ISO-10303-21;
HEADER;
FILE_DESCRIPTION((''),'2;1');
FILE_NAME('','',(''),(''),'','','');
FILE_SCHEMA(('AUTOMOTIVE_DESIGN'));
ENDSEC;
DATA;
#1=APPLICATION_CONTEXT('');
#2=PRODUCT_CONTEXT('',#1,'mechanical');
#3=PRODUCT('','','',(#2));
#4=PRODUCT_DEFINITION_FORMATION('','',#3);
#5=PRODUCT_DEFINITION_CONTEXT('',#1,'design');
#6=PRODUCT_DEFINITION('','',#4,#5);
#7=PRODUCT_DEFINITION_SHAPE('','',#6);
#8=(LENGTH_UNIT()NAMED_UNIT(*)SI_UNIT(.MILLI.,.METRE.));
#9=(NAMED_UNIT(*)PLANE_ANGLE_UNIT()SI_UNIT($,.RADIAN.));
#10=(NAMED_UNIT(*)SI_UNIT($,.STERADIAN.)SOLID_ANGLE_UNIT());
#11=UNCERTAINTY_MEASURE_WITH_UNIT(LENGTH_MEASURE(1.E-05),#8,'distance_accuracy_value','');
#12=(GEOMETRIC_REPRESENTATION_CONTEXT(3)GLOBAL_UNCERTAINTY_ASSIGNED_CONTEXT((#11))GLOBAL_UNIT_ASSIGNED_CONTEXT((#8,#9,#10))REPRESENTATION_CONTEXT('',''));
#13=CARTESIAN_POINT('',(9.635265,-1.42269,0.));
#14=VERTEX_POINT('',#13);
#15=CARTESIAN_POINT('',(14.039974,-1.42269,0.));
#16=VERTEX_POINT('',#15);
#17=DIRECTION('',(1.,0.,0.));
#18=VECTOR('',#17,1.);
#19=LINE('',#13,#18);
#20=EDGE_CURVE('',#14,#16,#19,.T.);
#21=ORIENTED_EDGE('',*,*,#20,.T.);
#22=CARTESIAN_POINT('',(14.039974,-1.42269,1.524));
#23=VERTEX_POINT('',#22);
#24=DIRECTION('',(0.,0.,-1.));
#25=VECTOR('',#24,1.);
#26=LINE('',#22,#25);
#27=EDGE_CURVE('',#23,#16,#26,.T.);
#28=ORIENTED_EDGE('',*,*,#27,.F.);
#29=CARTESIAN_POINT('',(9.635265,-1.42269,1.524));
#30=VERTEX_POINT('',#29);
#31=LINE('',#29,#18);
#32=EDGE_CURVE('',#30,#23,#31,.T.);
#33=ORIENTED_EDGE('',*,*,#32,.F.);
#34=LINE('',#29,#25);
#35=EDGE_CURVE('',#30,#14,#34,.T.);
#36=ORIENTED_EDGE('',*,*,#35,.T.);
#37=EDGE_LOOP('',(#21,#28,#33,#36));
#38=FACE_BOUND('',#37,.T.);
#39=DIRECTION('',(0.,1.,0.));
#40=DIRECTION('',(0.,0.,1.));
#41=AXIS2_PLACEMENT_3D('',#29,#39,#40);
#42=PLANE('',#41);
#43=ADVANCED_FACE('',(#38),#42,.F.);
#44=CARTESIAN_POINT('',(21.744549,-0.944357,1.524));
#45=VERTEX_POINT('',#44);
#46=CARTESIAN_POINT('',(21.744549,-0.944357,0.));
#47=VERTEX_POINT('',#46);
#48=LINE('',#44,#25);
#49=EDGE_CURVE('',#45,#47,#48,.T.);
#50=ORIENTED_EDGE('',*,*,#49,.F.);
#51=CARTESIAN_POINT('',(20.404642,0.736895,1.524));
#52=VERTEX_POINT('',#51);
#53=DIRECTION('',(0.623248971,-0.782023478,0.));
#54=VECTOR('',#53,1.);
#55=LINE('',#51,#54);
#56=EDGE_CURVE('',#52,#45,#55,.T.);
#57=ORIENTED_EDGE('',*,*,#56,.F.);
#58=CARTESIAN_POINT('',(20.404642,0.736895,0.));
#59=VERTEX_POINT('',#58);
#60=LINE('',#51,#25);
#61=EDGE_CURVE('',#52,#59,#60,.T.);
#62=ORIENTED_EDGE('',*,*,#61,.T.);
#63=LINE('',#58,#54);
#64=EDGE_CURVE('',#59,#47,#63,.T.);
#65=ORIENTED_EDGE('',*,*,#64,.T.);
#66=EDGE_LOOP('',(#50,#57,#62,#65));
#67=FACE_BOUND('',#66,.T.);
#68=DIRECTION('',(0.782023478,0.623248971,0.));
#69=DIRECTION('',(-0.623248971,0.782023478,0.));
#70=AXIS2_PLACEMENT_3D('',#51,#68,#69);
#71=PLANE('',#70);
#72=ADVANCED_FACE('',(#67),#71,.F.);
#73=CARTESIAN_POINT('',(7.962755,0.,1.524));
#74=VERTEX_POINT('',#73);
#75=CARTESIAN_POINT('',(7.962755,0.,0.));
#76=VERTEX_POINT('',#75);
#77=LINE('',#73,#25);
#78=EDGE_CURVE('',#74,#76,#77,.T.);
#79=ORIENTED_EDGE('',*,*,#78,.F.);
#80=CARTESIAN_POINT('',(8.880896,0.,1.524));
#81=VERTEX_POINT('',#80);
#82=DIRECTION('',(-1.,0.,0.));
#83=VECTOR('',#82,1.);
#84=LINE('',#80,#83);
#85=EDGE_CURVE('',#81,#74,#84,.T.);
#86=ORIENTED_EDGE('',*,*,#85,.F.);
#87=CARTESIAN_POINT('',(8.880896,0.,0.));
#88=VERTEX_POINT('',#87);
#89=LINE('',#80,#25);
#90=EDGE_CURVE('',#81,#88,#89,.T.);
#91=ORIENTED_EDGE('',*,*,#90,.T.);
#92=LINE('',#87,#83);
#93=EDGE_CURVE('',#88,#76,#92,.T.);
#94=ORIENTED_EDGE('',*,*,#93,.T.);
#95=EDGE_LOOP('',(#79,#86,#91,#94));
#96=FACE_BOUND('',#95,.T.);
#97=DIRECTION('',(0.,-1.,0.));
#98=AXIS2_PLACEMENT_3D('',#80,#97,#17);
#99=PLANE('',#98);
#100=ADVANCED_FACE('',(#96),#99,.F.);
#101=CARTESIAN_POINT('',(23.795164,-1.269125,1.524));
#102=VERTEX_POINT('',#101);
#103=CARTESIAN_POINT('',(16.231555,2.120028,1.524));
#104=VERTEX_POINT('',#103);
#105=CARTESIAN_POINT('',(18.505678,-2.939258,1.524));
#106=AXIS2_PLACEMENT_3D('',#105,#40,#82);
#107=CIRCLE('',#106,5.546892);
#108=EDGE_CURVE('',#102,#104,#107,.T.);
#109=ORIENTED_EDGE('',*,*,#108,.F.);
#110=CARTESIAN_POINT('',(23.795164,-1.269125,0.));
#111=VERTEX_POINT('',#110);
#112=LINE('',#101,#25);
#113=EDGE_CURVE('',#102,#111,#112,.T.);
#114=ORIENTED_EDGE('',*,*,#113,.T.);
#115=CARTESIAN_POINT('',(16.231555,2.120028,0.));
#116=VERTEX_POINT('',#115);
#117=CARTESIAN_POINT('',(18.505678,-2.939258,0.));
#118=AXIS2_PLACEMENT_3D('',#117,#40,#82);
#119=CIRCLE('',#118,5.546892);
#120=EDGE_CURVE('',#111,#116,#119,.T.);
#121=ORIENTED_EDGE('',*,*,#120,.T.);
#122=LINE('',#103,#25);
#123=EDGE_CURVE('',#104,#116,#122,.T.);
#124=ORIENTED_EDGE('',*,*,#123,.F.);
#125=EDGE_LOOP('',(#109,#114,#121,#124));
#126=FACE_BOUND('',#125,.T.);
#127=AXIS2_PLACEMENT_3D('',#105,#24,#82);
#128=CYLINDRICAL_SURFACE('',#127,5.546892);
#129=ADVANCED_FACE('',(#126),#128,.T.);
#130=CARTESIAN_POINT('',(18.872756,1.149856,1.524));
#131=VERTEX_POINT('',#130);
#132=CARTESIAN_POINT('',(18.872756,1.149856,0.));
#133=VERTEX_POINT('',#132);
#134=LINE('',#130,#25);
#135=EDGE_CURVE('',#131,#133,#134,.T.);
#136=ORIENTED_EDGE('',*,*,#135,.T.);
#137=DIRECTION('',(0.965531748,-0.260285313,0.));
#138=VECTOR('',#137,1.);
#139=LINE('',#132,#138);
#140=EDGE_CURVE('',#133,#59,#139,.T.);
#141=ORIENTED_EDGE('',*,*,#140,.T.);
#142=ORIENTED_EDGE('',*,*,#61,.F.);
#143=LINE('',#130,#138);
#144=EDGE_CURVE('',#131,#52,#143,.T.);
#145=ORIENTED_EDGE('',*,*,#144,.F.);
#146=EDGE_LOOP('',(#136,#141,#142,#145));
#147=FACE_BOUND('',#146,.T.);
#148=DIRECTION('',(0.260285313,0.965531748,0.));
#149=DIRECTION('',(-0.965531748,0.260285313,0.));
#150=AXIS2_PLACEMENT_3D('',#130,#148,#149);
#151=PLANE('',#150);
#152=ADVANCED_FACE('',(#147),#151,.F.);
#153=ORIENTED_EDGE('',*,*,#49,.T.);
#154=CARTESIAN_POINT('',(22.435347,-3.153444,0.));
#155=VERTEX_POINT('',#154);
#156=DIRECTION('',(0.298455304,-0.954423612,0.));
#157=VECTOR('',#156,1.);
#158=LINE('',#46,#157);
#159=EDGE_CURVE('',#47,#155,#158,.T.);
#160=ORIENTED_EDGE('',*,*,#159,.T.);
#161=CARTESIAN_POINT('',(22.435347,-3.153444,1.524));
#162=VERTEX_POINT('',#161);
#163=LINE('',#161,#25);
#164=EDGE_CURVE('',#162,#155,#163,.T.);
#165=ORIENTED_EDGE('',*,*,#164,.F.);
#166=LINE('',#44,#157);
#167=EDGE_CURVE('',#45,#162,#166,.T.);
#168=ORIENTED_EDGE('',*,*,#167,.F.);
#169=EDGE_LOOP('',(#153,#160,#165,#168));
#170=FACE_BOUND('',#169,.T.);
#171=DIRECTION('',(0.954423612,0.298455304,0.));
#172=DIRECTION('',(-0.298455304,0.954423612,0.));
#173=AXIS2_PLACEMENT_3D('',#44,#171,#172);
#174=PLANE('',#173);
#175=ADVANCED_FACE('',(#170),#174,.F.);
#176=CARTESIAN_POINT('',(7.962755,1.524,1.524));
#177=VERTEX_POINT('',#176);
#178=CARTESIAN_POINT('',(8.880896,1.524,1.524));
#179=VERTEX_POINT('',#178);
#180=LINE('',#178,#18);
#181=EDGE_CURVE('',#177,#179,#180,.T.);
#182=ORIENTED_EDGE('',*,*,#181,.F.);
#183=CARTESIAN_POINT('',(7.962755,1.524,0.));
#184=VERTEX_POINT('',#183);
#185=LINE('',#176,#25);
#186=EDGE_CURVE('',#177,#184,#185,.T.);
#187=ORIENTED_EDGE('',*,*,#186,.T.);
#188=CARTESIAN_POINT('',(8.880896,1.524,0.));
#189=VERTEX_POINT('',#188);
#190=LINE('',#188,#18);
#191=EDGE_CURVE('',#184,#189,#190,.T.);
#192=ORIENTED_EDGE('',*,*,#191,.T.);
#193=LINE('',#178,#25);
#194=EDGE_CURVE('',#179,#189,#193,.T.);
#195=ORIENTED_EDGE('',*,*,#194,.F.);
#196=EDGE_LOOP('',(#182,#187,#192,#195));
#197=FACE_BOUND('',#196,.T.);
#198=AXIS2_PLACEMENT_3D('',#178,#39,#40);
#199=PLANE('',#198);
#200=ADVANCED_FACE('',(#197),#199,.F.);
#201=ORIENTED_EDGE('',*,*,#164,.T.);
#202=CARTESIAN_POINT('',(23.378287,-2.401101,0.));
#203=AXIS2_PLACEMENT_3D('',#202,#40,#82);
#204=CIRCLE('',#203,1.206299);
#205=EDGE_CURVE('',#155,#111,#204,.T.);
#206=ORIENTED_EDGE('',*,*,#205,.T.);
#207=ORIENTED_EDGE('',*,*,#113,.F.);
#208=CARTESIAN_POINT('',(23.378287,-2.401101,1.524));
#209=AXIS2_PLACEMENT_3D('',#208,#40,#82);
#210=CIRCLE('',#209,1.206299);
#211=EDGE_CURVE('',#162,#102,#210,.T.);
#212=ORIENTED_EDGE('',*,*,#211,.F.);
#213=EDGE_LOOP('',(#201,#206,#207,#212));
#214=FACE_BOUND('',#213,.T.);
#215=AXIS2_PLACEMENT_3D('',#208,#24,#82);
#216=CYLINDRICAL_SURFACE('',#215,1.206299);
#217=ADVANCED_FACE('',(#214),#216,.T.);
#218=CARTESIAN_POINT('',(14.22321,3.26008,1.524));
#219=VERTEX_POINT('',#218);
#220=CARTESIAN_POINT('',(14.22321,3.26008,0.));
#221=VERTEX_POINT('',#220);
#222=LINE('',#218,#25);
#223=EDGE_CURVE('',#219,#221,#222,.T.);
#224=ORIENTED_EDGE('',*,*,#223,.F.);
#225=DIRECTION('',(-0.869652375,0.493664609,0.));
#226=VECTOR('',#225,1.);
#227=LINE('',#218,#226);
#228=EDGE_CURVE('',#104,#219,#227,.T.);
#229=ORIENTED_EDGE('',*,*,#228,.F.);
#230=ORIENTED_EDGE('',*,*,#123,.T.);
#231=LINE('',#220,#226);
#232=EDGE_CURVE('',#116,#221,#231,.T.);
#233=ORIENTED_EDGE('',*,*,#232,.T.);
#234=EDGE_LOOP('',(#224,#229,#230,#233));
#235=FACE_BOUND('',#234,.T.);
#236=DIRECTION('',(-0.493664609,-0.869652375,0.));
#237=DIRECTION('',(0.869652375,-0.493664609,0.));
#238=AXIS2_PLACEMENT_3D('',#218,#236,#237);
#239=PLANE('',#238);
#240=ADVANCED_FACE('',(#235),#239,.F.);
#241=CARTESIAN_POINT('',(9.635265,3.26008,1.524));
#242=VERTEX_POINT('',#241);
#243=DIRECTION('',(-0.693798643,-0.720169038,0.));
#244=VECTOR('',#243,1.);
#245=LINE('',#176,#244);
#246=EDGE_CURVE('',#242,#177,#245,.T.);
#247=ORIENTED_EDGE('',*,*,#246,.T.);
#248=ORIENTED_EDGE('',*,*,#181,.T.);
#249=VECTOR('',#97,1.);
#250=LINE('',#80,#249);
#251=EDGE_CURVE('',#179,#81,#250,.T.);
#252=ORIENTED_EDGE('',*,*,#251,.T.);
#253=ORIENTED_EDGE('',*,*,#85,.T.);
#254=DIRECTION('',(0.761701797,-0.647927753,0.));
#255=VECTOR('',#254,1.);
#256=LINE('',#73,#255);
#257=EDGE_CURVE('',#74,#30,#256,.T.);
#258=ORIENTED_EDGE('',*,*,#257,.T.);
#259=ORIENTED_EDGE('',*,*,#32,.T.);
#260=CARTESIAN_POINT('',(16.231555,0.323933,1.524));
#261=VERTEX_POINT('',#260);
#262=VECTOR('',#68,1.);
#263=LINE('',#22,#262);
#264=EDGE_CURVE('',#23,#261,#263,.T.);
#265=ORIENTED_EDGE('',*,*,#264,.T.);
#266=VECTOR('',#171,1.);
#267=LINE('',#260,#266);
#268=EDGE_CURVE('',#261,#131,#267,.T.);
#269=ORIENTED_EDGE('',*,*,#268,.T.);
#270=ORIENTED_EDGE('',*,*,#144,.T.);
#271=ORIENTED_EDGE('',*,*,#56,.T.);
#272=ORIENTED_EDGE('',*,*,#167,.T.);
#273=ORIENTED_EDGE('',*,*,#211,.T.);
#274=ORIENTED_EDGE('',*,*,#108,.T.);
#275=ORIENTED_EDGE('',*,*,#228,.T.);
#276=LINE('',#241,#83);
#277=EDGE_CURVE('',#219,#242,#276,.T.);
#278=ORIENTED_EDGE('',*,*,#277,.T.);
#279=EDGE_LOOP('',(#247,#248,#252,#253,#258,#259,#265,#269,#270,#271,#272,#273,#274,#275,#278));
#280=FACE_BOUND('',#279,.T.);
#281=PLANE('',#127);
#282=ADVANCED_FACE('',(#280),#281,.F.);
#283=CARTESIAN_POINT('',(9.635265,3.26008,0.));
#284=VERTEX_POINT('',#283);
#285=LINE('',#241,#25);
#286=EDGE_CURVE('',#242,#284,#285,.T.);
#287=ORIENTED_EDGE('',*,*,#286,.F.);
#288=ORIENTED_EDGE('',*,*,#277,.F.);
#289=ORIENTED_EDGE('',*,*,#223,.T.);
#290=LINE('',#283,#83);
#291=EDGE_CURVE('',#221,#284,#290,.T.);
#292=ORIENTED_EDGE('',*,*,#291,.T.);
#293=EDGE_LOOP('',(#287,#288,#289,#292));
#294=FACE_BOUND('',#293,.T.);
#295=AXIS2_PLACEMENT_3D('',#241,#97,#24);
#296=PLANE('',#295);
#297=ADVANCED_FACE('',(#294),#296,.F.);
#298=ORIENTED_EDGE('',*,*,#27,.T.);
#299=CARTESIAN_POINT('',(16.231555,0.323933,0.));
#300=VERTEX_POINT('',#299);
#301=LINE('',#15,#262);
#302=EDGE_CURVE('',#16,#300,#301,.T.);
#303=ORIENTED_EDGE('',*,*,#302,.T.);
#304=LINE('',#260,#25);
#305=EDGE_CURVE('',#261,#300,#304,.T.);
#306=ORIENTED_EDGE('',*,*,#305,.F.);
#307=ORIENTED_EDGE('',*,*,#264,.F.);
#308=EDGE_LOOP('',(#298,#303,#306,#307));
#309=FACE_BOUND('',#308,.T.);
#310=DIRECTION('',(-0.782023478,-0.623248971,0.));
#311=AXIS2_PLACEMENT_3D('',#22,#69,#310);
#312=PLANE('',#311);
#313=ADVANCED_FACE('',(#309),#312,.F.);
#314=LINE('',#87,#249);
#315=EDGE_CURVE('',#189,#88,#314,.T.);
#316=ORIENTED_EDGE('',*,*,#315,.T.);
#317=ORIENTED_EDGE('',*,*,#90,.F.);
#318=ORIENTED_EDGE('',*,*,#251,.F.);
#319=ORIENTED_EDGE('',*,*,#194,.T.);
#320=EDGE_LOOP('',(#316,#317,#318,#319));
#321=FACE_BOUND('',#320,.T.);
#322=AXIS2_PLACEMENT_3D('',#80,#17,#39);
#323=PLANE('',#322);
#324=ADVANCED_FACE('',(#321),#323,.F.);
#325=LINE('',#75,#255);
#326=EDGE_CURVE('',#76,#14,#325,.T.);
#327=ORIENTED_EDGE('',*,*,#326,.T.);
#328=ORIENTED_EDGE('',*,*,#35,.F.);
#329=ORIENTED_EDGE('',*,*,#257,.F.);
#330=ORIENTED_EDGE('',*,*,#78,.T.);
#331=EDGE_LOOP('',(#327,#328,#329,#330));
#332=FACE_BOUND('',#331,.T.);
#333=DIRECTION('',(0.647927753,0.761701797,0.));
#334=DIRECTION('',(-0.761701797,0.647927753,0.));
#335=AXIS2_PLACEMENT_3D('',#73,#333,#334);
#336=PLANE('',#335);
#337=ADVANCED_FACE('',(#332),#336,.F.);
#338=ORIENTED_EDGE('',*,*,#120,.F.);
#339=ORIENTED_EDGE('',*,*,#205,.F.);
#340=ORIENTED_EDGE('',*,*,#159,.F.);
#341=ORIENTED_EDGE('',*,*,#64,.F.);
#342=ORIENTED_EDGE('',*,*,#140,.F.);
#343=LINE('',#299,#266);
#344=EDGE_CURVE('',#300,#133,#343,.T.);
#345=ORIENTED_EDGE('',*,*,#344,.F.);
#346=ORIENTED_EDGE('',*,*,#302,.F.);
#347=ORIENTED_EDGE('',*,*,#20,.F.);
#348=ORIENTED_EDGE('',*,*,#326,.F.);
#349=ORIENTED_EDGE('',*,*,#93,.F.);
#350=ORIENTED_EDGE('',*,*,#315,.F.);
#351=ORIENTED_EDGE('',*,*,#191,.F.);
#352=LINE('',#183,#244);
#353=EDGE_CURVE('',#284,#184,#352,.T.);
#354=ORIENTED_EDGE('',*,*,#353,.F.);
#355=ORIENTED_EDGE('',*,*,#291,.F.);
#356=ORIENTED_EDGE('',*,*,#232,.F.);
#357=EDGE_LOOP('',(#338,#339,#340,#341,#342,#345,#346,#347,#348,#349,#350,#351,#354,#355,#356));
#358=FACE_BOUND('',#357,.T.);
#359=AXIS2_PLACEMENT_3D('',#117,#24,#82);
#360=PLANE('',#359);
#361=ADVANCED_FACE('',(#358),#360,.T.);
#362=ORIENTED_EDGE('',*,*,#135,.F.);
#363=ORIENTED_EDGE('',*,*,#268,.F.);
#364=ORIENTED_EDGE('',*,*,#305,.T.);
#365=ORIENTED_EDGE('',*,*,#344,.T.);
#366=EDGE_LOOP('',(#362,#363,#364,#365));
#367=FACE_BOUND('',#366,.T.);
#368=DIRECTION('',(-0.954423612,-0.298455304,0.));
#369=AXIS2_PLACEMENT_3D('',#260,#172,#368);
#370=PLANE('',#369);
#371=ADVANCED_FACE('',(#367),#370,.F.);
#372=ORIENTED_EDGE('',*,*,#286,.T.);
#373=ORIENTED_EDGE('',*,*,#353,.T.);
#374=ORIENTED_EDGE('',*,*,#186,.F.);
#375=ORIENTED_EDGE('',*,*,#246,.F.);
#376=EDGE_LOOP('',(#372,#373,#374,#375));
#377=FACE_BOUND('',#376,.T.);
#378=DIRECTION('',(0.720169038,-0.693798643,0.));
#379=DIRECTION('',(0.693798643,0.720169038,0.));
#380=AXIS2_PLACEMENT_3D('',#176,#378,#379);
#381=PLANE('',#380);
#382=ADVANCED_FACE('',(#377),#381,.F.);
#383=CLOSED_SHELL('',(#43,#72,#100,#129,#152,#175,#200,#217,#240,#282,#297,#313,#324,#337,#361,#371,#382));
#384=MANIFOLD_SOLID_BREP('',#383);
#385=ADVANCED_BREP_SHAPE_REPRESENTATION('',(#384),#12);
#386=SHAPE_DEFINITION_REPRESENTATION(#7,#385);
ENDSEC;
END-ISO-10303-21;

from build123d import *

# Parameters (mm, degrees)
BOSS_EXTRUDE1_DEPTH = 1.524


with BuildPart() as part:
    # Sketch1 → Boss-Extrude1 (new body)
    with BuildSketch(Plane.XY):
        with BuildLine():
            Line((8.880896155, 0), (7.962755207, 0))
            Line((7.962755207, 0), (9.635264959, -1.422689942))
            Line((9.635264959, -1.422689942), (14.039974044, -1.422689942))
            Line((14.039974044, -1.422689942), (16.231554776, 0.32393337))
            Line((16.231554776, 0.32393337), (18.872756066, 1.149856497))
            Line((18.872756066, 1.149856497), (20.404642344, 0.736894933))
            Line((20.404642344, 0.736894933), (21.744548774, -0.944356596))
            Line((21.744548774, -0.944356596), (22.435346644, -3.153443817))
            ThreePointArc((22.435346644, -3.153443817), (24.356473743, -3.107008643), (23.795164322, -1.269124727))
            ThreePointArc((23.795164322, -1.269124727), (20.773869568, 2.122690239), (16.231554776, 2.120028069))
            Line((16.231554776, 2.120028069), (14.223210267, 3.260079698))
            Line((14.223210267, 3.260079698), (9.635264959, 3.260079698))
            Line((9.635264959, 3.260079698), (7.962755207, 1.524))
            Line((7.962755207, 1.524), (8.880896155, 1.524))
            Line((8.880896155, 1.524), (8.880896155, 0))
        make_face()
    extrude(amount=BOSS_EXTRUDE1_DEPTH)


solid = part.part
